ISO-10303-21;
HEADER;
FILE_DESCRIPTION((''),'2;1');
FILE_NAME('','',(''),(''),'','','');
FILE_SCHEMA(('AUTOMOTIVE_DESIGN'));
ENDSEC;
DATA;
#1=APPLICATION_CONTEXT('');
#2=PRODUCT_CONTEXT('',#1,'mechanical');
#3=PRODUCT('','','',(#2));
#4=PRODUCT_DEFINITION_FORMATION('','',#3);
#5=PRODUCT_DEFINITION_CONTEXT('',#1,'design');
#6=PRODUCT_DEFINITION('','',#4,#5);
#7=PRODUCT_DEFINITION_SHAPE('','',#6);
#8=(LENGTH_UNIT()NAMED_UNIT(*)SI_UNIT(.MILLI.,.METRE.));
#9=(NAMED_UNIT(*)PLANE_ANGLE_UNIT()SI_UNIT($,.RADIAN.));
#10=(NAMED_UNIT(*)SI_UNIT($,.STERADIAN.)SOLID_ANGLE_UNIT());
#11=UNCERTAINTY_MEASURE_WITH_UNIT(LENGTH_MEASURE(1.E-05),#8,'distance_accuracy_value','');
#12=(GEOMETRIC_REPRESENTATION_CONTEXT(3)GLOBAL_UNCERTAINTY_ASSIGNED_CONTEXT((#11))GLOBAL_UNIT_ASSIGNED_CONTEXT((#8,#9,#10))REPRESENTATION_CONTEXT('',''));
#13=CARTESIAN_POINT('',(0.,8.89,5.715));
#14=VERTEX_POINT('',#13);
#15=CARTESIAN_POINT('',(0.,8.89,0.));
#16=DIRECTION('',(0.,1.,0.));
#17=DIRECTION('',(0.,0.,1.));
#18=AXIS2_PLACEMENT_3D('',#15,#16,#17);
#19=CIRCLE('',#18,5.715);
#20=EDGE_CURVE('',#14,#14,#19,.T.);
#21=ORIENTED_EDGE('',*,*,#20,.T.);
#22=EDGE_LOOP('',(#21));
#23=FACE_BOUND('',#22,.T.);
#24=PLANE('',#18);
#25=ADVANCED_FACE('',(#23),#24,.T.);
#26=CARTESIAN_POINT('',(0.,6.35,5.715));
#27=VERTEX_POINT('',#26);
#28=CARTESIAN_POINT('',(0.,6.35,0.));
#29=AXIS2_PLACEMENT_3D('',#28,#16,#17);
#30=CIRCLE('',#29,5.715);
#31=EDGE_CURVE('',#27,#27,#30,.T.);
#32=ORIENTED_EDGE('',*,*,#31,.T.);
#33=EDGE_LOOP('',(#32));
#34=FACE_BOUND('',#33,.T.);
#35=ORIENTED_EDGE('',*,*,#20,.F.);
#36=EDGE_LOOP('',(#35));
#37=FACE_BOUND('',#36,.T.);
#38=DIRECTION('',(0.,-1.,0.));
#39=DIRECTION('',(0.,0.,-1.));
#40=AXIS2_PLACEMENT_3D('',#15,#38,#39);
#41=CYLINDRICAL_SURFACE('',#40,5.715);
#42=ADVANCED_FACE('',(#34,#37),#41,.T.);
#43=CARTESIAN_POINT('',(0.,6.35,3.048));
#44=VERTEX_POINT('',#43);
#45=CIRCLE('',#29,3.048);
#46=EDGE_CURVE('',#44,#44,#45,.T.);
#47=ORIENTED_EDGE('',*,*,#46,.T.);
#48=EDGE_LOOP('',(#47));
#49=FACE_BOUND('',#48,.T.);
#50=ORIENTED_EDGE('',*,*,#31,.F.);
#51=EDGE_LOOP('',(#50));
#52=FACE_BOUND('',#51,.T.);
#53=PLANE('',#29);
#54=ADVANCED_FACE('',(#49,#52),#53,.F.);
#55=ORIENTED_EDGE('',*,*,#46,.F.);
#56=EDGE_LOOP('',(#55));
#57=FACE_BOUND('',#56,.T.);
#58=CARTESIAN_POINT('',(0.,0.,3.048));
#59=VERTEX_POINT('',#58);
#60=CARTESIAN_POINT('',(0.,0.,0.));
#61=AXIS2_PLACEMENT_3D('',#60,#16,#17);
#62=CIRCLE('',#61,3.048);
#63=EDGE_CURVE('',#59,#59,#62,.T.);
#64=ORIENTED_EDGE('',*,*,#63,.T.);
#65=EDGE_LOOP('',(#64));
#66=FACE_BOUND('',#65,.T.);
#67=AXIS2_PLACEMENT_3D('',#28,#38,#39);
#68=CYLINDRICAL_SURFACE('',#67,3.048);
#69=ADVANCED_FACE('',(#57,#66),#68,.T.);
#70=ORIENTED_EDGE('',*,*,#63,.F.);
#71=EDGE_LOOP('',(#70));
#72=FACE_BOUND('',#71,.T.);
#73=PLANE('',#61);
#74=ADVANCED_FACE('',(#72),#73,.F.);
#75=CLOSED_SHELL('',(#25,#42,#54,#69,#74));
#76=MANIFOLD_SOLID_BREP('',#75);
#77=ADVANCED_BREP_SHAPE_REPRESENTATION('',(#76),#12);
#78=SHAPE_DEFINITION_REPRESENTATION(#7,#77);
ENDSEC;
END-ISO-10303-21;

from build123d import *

# Parameters (mm, degrees)
SKETCH1_R           = 3.048
BOSS_EXTRUDE1_DEPTH = 6.35
SKETCH2_R           = 5.715
BOSS_EXTRUDE2_DEPTH = 2.54


with BuildPart() as part:
    # Sketch1 → Boss-Extrude1 (new body)
    with BuildSketch(Plane(origin=(0, 0, 0), x_dir=(1, 0, 0), z_dir=(0, 1, 0))):
        Circle(SKETCH1_R)
    extrude(amount=BOSS_EXTRUDE1_DEPTH)

    # Sketch2 → Boss-Extrude2 (add)
    with BuildSketch(Plane(origin=(0, 6.35, 0), x_dir=(1, 0, 0), z_dir=(0, 1, 0))):
        Circle(SKETCH2_R)
    extrude(amount=BOSS_EXTRUDE2_DEPTH)


solid = part.part
